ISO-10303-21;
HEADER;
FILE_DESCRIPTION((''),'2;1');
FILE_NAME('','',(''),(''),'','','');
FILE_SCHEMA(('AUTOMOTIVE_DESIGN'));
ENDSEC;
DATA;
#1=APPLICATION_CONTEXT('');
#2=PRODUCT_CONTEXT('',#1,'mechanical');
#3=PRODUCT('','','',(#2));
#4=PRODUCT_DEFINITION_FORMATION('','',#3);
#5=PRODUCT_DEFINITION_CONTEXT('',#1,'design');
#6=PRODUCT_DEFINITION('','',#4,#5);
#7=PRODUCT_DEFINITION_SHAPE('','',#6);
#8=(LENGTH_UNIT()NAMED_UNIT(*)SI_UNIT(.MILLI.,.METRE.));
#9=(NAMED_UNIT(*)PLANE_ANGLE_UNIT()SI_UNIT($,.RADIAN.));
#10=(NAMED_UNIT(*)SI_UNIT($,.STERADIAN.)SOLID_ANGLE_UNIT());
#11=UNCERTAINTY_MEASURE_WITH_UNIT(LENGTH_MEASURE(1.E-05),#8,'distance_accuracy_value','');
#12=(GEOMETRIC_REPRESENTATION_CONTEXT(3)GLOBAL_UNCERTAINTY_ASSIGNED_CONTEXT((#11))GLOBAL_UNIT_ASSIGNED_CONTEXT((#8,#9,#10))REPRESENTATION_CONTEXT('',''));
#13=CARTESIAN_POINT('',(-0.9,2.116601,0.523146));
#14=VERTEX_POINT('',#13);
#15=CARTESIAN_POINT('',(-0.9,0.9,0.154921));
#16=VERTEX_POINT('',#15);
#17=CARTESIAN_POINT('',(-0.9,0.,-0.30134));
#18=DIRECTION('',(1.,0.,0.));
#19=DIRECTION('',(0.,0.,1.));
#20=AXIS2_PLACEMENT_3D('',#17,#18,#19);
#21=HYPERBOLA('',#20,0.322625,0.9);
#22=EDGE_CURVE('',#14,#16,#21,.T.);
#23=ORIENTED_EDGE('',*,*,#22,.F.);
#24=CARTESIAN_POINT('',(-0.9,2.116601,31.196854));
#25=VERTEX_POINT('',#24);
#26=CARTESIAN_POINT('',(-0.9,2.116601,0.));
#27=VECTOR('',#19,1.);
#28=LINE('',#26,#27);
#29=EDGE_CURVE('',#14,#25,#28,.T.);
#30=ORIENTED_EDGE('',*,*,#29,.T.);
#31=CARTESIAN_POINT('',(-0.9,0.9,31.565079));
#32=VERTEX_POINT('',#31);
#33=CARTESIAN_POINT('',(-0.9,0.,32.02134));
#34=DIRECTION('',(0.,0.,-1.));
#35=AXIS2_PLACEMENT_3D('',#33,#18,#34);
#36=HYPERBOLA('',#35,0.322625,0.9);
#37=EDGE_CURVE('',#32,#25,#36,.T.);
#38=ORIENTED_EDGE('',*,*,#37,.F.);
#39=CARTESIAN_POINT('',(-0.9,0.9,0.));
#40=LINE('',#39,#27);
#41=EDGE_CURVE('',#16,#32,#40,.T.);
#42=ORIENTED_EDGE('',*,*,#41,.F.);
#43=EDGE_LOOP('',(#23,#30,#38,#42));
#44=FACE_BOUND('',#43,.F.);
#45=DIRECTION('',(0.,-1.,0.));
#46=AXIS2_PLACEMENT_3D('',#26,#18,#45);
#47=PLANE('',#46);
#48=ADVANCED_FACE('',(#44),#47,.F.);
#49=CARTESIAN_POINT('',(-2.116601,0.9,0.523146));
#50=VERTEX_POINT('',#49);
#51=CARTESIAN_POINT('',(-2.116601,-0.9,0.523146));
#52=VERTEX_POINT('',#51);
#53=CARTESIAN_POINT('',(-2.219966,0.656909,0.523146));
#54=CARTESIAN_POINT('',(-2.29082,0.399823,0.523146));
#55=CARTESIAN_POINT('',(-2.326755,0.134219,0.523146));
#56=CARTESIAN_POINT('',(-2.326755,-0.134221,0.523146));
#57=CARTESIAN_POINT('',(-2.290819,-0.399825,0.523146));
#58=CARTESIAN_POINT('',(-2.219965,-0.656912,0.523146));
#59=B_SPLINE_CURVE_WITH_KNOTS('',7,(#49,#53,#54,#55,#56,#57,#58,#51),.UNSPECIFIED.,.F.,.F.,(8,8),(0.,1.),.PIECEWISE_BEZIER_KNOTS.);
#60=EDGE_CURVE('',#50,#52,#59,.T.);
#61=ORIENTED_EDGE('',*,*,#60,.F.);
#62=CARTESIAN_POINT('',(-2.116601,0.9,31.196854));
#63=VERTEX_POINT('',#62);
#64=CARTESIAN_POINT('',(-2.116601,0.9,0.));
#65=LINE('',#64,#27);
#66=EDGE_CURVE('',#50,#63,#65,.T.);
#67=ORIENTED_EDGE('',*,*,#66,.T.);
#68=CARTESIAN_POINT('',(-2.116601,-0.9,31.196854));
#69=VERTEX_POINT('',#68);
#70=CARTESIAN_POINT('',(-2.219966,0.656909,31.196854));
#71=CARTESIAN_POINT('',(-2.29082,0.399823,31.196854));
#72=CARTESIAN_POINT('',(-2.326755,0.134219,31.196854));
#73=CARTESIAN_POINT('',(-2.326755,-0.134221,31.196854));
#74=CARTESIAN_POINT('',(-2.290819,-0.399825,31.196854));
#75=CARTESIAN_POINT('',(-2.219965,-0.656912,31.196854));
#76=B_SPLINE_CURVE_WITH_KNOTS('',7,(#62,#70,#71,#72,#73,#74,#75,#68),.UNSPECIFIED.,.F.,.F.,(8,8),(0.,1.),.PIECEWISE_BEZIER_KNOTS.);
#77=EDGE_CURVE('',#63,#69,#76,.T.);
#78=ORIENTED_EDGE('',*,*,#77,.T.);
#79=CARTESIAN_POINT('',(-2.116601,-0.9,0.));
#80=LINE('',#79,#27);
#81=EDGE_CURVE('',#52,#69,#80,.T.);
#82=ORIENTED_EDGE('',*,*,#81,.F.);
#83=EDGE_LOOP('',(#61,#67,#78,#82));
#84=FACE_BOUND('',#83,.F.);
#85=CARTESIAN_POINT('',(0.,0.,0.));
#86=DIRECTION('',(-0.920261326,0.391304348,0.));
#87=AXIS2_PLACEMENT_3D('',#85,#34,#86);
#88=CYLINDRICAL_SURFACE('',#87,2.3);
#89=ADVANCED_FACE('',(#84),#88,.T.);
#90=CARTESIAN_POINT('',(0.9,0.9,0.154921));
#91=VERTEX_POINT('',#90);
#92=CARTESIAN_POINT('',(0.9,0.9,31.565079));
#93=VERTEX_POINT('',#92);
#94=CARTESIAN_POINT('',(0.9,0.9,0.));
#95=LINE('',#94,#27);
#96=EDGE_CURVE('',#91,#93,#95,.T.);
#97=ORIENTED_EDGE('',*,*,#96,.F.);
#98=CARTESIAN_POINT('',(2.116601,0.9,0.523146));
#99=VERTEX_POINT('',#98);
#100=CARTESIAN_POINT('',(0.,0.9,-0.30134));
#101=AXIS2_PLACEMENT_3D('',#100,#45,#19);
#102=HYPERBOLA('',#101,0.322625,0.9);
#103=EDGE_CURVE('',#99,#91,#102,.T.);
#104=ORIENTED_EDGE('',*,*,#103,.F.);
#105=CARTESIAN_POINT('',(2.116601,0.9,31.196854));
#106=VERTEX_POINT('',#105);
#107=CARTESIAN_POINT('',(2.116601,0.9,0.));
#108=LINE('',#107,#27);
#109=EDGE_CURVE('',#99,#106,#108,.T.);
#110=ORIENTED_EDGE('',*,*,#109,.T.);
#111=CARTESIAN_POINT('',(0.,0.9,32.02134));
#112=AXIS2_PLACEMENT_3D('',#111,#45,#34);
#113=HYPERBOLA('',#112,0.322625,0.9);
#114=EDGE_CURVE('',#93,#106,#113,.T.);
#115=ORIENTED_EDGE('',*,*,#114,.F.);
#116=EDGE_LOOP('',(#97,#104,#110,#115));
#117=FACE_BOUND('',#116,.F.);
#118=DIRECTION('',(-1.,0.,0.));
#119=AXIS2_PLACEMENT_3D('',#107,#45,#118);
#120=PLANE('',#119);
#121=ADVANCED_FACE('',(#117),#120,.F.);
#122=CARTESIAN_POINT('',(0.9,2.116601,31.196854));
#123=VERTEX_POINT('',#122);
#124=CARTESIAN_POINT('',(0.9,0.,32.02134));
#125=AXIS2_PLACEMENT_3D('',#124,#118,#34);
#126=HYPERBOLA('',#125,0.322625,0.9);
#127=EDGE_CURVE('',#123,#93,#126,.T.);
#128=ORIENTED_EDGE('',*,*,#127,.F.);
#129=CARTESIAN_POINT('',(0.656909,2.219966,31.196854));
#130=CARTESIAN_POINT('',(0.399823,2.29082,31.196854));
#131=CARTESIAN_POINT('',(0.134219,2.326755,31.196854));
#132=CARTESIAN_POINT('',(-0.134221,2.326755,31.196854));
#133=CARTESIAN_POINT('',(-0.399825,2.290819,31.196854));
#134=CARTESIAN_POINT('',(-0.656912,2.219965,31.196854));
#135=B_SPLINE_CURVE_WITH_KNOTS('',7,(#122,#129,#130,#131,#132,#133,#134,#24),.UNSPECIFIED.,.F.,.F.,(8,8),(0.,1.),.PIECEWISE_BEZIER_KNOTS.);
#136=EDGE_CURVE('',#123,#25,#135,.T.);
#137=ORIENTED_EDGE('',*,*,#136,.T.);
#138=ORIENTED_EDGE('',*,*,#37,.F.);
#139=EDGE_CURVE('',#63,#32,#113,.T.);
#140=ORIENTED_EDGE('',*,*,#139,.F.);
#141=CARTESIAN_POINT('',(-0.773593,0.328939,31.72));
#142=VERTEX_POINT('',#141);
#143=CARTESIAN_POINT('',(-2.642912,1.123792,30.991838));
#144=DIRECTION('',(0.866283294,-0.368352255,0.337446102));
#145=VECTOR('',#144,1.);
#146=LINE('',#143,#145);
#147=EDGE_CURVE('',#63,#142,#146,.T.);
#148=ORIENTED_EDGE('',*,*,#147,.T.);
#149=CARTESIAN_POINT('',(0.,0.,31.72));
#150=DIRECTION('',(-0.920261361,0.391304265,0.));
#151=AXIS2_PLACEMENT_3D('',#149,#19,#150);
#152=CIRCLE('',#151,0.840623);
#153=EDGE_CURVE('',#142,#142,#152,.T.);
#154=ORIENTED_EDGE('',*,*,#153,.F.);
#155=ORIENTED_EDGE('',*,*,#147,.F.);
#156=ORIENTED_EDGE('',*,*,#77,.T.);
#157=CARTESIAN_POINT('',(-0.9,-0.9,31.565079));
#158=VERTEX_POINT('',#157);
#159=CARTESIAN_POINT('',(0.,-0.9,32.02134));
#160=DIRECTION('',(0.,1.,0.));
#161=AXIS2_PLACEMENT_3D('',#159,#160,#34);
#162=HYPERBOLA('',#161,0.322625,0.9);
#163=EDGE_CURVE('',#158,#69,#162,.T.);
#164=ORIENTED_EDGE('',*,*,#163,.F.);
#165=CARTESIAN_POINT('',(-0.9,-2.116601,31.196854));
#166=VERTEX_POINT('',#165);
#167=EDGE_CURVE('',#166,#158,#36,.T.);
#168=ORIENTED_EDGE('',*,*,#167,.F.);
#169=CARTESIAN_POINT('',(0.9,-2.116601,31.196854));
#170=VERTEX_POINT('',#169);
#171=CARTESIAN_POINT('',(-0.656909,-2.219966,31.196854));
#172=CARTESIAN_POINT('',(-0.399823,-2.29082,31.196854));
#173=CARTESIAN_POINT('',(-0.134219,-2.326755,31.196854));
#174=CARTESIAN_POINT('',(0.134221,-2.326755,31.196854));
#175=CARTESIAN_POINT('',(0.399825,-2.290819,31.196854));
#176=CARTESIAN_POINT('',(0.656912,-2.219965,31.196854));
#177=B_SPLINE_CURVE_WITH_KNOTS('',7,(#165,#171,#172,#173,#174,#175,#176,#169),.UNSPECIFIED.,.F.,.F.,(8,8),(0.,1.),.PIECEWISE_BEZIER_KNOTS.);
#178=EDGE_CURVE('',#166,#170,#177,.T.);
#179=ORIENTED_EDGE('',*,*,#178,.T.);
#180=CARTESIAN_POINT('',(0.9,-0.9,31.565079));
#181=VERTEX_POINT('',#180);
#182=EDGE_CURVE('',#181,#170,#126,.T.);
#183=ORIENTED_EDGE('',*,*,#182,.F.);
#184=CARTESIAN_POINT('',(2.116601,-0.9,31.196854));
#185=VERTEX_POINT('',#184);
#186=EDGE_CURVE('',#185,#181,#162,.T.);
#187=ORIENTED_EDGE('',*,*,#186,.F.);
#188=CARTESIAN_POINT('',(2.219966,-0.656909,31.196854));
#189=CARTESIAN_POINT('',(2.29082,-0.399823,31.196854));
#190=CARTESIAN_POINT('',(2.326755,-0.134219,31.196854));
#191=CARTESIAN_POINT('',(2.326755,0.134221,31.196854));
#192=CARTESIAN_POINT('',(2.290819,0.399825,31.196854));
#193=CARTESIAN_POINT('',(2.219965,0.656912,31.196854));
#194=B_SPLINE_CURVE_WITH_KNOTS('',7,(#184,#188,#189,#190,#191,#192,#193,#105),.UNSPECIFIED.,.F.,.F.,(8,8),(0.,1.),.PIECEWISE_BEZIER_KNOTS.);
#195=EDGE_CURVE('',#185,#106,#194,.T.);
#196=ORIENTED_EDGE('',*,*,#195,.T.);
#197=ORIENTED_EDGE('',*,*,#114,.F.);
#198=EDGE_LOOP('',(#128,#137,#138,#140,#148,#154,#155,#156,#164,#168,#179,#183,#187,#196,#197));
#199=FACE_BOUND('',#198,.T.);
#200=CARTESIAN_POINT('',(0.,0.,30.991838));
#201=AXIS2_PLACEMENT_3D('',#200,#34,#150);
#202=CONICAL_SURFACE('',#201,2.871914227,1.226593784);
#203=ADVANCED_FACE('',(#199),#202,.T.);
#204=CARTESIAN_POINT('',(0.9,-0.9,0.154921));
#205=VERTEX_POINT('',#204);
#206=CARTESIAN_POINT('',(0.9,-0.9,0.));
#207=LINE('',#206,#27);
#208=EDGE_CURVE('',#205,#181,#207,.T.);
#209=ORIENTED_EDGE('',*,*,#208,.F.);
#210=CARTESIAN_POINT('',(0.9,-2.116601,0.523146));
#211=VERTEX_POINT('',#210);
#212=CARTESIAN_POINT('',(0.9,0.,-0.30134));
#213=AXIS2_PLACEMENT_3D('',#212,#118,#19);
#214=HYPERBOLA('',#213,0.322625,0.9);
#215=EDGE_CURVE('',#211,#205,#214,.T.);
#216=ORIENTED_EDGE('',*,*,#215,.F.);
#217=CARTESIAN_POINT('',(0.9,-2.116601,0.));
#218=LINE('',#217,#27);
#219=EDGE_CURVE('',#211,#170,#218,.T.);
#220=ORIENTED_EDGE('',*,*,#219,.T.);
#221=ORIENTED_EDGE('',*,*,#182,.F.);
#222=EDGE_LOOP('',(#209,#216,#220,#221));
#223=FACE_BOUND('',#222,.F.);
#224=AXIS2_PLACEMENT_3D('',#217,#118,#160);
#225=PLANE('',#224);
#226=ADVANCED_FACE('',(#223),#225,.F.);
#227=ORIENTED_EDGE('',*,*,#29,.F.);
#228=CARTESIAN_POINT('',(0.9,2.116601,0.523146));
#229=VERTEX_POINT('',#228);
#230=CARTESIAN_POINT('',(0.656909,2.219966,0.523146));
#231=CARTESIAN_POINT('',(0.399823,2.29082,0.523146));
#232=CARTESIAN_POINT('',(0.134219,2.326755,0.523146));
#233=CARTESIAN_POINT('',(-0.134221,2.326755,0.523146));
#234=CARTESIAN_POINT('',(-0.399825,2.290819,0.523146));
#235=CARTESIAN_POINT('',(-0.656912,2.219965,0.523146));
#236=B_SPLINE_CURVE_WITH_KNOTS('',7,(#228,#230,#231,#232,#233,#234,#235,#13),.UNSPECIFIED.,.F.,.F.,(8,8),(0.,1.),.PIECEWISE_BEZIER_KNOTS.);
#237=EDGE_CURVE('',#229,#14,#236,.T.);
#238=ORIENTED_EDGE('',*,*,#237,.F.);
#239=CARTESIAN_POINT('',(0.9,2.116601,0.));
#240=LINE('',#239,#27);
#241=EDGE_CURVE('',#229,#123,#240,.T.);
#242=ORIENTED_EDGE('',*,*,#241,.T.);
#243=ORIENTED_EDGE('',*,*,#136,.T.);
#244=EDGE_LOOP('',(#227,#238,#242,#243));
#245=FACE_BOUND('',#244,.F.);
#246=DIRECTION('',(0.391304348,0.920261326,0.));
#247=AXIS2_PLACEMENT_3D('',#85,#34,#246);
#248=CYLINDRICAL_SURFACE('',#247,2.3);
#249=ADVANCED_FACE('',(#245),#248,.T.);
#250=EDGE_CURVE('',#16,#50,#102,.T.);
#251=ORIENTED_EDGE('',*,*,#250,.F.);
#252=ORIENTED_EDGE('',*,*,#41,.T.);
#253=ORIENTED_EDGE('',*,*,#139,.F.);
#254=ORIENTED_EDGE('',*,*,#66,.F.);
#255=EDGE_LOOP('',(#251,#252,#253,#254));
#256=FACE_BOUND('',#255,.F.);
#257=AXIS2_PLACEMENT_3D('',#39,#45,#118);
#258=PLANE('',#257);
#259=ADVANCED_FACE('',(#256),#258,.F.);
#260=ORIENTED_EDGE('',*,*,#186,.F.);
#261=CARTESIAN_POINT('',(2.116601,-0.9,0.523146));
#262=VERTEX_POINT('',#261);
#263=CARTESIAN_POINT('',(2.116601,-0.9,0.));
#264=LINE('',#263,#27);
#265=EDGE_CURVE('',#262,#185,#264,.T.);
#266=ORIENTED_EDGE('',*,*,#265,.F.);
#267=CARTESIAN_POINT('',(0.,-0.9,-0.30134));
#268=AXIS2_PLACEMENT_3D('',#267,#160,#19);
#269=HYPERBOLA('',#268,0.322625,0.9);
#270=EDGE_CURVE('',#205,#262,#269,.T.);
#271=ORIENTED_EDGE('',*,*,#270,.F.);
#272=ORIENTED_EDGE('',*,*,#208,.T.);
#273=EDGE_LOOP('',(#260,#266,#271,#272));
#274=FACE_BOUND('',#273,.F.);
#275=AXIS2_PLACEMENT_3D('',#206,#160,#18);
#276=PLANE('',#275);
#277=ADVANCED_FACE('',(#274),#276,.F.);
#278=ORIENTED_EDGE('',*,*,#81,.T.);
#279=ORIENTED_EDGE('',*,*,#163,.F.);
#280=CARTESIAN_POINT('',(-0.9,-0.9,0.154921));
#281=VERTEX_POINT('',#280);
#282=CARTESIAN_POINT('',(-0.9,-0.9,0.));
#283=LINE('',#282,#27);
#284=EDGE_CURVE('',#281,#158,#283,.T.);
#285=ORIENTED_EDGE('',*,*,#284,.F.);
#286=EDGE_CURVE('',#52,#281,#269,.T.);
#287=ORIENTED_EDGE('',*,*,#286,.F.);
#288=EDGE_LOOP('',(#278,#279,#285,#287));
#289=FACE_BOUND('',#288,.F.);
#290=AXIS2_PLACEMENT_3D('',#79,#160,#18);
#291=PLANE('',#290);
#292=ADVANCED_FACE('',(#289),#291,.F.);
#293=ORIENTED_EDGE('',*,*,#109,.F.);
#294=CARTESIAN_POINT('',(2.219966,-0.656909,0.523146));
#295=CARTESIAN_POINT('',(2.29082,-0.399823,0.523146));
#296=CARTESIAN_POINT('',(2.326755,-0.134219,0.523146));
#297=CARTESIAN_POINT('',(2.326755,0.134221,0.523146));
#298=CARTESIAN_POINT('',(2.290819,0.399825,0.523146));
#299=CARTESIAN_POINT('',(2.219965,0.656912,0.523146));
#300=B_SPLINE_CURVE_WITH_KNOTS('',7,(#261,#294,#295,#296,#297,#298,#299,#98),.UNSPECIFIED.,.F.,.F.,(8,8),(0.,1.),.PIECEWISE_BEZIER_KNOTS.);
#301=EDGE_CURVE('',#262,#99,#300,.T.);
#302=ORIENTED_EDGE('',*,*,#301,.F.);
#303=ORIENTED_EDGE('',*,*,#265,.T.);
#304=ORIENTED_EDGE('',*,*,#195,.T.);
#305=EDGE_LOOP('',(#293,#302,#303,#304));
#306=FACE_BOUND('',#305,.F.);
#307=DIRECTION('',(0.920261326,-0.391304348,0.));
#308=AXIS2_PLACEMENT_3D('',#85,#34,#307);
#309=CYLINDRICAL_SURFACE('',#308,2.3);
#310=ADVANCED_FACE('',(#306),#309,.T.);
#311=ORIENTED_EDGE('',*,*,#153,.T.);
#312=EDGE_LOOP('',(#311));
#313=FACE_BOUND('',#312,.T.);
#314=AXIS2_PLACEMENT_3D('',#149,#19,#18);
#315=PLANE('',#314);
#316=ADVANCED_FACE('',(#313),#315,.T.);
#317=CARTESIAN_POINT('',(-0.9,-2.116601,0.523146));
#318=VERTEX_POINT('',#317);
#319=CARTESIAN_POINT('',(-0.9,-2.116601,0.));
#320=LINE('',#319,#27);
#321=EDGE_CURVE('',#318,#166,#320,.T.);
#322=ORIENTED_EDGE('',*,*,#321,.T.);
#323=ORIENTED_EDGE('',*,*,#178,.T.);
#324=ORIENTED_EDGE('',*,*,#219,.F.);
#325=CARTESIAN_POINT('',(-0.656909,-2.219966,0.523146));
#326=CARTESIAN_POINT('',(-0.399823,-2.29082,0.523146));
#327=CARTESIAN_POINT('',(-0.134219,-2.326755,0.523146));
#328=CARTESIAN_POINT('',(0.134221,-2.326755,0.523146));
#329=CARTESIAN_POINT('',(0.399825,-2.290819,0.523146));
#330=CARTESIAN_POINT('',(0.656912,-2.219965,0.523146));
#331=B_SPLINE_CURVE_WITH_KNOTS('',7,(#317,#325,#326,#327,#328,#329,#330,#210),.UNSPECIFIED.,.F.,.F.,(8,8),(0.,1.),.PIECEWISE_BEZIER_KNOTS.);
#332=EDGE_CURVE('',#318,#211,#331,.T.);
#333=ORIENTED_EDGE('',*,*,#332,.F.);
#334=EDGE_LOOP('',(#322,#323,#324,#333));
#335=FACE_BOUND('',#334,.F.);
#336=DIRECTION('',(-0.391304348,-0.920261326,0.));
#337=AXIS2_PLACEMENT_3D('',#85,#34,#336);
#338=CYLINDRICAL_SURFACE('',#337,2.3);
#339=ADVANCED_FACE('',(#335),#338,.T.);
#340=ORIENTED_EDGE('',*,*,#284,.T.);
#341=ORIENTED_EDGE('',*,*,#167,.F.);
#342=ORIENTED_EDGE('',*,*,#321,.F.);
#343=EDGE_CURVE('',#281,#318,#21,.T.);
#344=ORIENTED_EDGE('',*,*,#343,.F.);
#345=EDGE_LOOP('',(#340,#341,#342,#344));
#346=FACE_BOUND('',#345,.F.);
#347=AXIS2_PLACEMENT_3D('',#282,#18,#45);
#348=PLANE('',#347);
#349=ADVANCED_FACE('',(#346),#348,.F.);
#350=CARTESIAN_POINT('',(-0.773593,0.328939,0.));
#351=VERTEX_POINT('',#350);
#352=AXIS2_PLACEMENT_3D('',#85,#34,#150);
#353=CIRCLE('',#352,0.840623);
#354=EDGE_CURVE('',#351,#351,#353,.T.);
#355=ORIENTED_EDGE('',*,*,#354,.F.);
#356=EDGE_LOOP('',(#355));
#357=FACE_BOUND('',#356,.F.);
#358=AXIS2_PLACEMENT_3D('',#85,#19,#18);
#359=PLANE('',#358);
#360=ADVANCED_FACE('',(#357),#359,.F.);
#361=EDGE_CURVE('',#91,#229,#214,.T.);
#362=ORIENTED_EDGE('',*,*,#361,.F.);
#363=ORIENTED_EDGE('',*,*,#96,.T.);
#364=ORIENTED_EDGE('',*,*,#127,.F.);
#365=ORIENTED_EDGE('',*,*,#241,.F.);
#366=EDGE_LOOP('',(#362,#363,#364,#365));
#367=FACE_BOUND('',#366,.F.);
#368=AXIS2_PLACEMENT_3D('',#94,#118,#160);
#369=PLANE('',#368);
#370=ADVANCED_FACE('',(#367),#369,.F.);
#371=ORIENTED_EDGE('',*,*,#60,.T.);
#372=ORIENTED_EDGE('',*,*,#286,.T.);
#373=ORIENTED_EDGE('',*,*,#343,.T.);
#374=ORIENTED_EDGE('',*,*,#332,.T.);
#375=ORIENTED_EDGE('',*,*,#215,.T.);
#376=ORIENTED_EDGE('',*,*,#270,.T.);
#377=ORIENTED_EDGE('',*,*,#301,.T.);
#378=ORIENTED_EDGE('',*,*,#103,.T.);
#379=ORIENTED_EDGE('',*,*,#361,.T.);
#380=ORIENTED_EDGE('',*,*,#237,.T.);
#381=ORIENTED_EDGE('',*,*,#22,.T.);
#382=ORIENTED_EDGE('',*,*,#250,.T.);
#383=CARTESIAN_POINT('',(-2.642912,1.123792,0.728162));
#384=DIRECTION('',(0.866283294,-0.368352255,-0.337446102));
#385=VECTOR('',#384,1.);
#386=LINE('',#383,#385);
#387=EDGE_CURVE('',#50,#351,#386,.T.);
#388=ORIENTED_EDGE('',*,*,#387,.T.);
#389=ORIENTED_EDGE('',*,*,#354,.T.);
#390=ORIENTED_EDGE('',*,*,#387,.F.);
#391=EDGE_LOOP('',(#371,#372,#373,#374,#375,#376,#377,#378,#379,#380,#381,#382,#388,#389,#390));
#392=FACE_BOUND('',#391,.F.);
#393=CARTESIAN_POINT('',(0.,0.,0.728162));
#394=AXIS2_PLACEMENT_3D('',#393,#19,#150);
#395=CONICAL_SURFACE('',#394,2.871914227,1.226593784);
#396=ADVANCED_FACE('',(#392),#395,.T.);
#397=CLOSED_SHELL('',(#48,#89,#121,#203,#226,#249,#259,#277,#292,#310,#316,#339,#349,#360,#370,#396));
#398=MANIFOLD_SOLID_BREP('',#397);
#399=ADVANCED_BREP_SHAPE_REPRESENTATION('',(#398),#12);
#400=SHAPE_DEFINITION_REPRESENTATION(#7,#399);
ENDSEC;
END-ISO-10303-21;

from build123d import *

# Parameters (mm, degrees)
BOSS_EXTRUDE1_DEPTH = 31.72


with BuildPart() as part:
    # Sketch1 → Boss-Extrude1 (new body)
    with BuildSketch(Plane.XY):
        with BuildLine():
            Line((-0.9, 2.116601049), (-0.9, 0.9))
            Line((-0.9, 0.9), (-2.116601049, 0.9))
            ThreePointArc((-2.116601049, 0.9), (-2.3, 0), (-2.116601049, -0.9))
            Line((-2.116601049, -0.9), (-0.9, -0.9))
            Line((-0.9, -0.9), (-0.9, -2.116601049))
            ThreePointArc((-0.9, -2.116601049), (0, -2.3), (0.9, -2.116601049))
            Line((0.9, -2.116601049), (0.9, -0.9))
            Line((0.9, -0.9), (2.116601049, -0.9))
            ThreePointArc((2.116601049, -0.9), (2.3, 0), (2.116601049, 0.9))
            Line((2.116601049, 0.9), (0.9, 0.9))
            Line((0.9, 0.9), (0.9, 2.116601049))
            ThreePointArc((0.9, 2.116601049), (0, 2.3), (-0.9, 2.116601049))
        make_face()
    extrude(amount=BOSS_EXTRUDE1_DEPTH)

    # Sketch2 → Cut-Revolve3 (revolve, cut)
    with BuildSketch(Plane(origin=(0, 0, 0), x_dir=(1, 0, 0), z_dir=(0, 1, 0)), mode=Mode.PRIVATE) as cut_revolve3_sk:
        Polygon((0.228583367, 0.219399408), (2.871914227, 0.219399408), (2.871914227, -0.728161621), align=None)
        Polygon((2.871914227, -30.991838379), (0.228583367, -31.939399408), (2.871914227, -31.939399408), align=None)
    revolve(cut_revolve3_sk.sketch.rotate(Axis((0, 0, -10.126702137), (0, 0, 1)), 156.964321077), axis=Axis((0, 0, -10.126702137), (0, 0, 1)), mode=Mode.SUBTRACT)


solid = part.part
